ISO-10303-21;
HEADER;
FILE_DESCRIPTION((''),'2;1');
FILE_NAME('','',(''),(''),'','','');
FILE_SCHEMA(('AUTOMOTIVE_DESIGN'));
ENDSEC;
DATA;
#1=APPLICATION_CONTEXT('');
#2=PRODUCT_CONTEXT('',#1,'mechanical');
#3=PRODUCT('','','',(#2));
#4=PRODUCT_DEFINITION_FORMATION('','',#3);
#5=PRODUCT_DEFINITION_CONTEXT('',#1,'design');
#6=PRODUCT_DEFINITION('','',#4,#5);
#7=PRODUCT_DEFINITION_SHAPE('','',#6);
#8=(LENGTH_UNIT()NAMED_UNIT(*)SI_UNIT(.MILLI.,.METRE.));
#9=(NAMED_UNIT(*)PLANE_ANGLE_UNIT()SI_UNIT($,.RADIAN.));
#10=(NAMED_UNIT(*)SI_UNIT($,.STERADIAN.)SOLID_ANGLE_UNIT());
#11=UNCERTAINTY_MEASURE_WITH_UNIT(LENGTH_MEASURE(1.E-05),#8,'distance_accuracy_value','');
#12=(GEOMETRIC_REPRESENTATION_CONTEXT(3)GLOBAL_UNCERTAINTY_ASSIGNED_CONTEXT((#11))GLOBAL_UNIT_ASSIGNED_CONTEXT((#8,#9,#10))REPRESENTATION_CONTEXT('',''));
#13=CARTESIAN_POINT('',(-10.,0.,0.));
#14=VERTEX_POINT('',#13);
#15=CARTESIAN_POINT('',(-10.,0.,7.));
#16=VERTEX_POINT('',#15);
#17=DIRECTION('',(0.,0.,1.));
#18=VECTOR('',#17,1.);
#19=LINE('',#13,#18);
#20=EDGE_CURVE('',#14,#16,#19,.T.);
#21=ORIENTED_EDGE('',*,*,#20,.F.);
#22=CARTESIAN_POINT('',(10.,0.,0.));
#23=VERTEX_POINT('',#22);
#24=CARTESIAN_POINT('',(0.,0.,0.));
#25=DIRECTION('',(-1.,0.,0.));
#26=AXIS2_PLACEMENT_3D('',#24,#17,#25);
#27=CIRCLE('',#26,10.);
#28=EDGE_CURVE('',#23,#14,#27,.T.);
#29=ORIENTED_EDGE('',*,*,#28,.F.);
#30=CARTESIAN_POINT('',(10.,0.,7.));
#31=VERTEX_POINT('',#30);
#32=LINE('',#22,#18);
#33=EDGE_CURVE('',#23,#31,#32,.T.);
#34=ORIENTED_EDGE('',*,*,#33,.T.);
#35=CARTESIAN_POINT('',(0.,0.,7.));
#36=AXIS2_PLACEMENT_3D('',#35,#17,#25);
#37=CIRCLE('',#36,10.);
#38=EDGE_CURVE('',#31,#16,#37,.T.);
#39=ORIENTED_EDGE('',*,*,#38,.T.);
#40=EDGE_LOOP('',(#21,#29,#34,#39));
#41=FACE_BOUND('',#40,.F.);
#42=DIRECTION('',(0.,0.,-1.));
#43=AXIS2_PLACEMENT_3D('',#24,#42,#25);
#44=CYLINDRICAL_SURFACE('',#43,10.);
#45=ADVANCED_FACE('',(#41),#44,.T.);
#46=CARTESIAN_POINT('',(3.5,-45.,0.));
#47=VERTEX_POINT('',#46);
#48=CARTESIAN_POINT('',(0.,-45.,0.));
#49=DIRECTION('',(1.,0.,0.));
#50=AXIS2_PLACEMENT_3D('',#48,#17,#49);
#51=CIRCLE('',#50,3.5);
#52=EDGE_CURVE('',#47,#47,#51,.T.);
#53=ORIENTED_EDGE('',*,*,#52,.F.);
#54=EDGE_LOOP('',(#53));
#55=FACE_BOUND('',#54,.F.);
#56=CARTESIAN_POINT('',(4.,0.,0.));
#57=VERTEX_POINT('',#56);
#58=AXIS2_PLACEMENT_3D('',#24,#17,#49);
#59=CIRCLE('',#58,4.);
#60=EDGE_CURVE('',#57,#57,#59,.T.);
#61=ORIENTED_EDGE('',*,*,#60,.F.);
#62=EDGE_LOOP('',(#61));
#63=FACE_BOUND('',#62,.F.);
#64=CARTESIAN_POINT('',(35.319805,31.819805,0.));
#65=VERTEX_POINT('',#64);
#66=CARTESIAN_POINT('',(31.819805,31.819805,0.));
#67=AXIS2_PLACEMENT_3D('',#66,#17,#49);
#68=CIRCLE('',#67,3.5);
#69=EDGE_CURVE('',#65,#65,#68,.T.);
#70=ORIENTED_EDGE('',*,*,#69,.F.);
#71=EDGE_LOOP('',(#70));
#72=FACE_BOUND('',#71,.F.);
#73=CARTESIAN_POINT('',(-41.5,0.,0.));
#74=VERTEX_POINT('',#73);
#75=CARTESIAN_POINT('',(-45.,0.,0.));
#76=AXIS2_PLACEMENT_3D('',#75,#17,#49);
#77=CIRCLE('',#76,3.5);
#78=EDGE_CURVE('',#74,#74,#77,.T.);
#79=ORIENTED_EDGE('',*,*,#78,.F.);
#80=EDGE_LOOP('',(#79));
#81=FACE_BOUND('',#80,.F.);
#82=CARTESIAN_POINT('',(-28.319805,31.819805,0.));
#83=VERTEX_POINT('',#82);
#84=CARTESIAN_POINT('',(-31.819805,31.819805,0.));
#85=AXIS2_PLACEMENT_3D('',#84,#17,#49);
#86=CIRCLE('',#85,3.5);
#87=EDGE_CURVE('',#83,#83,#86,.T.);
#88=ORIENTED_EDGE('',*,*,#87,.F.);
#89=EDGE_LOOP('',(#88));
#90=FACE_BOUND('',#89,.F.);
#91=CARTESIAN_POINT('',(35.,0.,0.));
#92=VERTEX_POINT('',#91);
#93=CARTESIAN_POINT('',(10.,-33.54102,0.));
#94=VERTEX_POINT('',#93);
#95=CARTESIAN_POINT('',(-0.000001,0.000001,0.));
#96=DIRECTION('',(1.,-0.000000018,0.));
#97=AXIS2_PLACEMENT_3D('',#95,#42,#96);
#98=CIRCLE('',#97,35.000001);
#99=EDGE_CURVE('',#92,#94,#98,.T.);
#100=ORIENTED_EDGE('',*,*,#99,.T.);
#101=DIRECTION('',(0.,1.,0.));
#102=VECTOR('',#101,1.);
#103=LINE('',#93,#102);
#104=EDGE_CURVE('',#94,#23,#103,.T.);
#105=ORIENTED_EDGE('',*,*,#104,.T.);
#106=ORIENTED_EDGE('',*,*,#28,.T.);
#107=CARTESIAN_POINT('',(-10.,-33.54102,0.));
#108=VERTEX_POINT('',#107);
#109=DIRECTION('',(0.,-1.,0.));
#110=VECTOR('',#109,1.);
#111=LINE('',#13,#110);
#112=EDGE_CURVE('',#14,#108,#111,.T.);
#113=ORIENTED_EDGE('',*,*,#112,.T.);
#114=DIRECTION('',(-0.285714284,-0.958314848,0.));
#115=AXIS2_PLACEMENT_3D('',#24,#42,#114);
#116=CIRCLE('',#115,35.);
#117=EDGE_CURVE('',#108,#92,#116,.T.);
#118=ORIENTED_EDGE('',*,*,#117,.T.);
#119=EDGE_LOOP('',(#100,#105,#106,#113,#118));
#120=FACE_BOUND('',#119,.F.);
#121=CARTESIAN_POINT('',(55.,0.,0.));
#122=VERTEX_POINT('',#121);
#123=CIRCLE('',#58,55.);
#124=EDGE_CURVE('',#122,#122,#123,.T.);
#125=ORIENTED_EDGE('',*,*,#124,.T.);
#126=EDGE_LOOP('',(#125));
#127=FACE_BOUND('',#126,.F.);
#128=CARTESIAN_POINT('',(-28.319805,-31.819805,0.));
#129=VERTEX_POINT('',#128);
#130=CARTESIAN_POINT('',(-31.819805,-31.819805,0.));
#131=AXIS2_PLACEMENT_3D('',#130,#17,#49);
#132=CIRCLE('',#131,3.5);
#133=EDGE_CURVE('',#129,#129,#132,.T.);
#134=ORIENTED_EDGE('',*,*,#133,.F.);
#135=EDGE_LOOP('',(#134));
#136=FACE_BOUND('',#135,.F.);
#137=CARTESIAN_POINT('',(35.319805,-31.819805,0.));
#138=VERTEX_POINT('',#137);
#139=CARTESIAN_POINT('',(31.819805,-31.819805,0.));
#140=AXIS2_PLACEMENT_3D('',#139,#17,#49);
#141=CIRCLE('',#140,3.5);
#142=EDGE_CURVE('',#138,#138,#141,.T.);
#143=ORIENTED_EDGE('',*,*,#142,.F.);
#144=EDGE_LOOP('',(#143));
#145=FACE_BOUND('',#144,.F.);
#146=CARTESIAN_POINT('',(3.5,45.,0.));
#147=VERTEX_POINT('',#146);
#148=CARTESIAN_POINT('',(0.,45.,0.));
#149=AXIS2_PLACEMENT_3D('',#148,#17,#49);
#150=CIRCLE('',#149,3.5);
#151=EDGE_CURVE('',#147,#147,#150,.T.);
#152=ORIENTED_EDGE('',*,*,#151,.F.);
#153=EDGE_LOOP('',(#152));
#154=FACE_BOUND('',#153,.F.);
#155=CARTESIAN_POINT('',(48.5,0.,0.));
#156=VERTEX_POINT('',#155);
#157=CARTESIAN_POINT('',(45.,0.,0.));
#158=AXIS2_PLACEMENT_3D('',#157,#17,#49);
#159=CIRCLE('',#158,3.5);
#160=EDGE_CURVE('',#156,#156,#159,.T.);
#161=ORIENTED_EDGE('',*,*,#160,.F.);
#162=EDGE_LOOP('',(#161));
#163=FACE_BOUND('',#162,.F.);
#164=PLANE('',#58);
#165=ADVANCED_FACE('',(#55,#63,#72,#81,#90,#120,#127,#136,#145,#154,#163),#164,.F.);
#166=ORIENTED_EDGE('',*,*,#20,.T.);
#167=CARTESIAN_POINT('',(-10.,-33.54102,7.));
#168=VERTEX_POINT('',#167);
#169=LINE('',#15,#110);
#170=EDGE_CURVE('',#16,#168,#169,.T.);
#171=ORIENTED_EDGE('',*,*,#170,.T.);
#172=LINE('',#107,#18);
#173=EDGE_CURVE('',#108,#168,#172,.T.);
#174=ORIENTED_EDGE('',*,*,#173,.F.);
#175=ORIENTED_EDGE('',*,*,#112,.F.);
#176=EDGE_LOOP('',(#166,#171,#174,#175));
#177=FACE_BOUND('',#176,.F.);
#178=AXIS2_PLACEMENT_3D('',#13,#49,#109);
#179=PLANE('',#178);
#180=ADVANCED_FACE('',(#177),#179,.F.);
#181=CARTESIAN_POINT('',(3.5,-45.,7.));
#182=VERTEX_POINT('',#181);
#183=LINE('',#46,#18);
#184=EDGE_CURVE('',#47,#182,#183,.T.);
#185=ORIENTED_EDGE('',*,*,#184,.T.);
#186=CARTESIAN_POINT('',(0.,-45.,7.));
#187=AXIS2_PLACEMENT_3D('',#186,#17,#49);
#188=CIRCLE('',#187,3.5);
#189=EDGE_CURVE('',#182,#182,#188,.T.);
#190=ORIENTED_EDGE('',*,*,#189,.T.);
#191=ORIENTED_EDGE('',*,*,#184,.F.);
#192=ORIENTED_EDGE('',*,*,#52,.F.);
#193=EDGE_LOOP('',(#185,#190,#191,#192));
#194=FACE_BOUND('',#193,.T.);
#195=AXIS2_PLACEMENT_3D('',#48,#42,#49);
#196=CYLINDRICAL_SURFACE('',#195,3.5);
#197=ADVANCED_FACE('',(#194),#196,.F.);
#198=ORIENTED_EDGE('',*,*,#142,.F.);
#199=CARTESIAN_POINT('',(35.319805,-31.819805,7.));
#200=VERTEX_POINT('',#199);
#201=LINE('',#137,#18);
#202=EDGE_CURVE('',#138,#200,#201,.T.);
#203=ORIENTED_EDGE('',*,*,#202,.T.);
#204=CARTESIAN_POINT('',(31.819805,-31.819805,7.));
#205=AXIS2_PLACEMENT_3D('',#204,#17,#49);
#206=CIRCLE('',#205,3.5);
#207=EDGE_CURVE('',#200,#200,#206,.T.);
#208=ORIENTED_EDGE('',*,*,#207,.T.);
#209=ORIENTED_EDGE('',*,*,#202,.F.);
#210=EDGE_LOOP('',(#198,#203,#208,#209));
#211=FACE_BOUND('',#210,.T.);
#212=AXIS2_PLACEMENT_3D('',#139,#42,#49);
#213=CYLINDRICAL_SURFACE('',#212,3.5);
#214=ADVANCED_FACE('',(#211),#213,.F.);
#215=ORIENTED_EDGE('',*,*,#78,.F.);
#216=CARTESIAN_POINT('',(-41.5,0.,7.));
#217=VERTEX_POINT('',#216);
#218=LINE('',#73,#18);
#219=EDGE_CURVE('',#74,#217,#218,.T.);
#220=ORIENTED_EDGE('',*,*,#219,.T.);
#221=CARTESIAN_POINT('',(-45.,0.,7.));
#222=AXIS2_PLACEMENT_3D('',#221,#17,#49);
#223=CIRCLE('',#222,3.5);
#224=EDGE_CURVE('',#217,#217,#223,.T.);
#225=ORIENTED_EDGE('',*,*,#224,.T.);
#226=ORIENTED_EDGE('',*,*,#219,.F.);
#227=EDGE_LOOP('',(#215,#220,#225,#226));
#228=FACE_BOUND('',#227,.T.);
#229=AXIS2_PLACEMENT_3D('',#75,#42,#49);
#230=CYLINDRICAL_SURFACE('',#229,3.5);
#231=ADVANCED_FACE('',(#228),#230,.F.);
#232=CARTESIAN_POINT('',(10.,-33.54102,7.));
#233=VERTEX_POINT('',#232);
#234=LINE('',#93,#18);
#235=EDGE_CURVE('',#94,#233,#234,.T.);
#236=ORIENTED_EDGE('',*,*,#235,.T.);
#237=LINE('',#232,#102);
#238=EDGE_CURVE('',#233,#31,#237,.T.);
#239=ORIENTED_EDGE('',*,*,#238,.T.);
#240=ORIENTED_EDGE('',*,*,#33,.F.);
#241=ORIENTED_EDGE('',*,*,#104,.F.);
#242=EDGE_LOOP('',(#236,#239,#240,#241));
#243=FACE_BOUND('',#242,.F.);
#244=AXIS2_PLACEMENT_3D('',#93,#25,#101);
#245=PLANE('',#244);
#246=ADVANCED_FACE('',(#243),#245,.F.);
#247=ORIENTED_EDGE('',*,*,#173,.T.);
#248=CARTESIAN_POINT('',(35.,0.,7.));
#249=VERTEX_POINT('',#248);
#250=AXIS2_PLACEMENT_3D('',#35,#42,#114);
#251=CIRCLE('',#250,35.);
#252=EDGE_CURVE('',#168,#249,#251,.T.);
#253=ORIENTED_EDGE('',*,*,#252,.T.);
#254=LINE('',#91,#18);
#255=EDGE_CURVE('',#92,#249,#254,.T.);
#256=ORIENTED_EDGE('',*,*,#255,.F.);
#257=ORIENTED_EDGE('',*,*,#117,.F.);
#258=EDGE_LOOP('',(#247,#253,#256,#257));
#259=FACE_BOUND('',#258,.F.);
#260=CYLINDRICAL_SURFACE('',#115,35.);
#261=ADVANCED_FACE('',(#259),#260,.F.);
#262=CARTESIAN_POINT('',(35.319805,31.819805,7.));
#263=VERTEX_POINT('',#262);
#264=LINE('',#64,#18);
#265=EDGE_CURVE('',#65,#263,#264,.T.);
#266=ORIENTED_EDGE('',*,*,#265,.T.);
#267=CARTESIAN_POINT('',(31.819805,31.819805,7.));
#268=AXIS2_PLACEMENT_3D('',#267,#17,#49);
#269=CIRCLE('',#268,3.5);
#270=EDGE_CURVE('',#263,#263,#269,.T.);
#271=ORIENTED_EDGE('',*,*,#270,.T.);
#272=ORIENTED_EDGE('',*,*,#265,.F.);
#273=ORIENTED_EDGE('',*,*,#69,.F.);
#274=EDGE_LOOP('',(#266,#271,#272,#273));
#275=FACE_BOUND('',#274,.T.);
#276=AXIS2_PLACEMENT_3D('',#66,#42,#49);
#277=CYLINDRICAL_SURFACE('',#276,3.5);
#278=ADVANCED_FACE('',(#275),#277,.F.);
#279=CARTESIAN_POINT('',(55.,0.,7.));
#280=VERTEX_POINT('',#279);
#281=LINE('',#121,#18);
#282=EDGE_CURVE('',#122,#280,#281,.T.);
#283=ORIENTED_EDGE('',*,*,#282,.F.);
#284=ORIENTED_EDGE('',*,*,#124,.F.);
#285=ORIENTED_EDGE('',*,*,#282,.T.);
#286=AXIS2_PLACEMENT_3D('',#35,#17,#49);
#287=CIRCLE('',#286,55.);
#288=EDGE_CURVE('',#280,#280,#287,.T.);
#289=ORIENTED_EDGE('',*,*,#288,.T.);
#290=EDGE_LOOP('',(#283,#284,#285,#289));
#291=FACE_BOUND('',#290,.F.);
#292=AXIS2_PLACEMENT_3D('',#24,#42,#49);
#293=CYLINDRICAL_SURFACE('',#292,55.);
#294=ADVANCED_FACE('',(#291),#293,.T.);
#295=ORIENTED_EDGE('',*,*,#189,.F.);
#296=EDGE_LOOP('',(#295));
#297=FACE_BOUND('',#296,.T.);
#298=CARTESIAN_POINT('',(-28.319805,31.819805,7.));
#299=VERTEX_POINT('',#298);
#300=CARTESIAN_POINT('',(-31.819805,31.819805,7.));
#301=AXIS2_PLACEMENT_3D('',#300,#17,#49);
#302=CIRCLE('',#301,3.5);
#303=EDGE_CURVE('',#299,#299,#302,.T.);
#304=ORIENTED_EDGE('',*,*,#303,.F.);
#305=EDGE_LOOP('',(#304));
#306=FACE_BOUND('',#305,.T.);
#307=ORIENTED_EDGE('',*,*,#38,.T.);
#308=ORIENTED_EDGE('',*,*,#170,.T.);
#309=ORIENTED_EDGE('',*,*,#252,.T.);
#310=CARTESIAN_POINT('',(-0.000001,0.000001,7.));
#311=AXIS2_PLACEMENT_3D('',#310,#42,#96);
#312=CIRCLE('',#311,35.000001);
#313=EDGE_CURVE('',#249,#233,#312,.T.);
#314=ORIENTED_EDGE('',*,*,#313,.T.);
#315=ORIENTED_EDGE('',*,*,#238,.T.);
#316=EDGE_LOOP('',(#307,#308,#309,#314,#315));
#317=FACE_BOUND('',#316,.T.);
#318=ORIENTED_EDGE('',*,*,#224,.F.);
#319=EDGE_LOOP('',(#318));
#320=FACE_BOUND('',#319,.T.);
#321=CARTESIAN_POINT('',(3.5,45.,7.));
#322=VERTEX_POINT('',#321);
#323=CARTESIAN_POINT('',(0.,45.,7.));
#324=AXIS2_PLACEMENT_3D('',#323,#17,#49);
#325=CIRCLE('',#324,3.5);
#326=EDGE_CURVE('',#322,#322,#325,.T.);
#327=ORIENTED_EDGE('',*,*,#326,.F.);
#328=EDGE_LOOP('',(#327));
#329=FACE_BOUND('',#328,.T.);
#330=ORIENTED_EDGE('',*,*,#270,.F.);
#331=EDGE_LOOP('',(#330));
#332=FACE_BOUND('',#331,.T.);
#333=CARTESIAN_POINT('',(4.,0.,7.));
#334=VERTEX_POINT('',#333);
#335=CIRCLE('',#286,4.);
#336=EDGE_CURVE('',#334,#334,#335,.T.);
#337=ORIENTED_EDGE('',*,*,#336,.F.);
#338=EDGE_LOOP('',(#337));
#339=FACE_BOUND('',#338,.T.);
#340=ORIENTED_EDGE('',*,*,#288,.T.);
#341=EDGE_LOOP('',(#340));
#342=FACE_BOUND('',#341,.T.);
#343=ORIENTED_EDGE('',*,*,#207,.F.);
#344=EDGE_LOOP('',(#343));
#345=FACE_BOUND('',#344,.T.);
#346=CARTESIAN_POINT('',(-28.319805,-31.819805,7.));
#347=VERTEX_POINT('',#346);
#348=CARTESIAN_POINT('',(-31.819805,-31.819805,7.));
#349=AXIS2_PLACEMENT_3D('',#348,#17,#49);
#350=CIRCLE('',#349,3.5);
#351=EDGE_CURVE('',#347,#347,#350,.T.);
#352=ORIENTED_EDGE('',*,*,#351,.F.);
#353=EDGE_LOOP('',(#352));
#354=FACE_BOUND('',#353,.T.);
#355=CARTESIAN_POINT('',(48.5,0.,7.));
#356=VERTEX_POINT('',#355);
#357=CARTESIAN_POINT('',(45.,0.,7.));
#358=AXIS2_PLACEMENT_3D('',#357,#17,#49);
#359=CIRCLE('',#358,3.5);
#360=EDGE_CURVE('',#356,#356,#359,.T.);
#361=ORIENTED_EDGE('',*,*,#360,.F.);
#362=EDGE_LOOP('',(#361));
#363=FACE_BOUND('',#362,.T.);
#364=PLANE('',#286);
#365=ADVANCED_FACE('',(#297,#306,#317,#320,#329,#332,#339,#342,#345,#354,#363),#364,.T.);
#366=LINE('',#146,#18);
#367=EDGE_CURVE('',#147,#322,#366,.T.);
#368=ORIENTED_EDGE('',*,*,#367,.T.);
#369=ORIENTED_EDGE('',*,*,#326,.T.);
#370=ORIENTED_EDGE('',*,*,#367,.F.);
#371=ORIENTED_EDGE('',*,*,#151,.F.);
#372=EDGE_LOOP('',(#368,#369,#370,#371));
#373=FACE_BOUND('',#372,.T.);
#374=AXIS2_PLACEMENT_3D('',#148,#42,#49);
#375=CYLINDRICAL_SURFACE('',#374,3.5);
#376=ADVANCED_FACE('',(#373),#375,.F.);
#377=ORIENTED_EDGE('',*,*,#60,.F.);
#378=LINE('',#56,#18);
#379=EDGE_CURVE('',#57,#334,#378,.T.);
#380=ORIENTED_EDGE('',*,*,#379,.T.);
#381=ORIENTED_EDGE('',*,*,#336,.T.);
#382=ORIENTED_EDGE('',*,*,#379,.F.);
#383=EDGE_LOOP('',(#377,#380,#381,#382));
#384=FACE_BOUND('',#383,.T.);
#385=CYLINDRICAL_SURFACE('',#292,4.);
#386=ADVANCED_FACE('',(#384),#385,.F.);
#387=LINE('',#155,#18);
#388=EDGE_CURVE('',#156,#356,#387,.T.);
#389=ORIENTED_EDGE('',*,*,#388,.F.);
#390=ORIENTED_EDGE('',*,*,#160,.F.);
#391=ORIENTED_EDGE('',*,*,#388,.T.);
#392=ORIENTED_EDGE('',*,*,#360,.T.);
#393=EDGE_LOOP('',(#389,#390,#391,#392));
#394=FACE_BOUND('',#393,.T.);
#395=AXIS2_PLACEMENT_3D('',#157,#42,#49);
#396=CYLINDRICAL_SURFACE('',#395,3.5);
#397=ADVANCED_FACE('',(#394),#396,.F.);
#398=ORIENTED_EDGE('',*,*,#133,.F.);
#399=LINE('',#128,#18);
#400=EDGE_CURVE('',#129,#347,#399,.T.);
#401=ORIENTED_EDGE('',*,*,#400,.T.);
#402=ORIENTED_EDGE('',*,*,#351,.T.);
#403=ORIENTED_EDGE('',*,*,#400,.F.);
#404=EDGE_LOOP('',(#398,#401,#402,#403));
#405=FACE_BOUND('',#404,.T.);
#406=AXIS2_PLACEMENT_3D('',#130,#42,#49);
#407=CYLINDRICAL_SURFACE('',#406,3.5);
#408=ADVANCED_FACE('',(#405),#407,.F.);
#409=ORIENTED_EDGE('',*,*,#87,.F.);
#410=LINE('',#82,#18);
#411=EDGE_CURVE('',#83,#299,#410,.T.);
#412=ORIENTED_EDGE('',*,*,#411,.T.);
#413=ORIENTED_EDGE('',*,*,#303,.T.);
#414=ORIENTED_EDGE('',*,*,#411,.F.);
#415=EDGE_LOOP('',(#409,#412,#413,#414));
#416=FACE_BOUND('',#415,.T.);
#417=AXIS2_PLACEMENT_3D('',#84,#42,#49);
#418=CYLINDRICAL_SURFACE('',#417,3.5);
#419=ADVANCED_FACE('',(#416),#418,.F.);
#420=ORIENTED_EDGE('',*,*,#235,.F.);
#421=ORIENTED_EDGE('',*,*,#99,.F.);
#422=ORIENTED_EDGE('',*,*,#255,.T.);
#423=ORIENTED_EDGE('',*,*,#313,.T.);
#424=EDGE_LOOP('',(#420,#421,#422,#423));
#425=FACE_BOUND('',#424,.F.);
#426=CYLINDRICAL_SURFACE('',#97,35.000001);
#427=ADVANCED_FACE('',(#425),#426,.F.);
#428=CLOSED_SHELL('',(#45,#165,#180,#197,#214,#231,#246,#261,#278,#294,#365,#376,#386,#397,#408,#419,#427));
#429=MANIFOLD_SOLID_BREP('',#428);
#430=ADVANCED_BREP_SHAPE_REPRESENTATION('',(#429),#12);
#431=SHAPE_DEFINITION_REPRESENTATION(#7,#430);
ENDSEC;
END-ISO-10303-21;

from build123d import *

# Parameters (mm, degrees)
F0_R     = 55
F0_R_2   = 3.5
F0_R_3   = 4
F1_DEPTH = 7


with BuildPart() as f1:
    # F0 (on Top) → F1 (new body)
    with BuildSketch(Plane.XY):
        Circle(F0_R)
        with Locations((-31.819805, -31.819805)):
            Circle(F0_R_2, mode=Mode.SUBTRACT)
        with Locations((0, -45)):
            Circle(F0_R_2, mode=Mode.SUBTRACT)
        with Locations((31.819805, -31.819805)):
            Circle(F0_R_2, mode=Mode.SUBTRACT)
        with Locations((-45, 0)):
            Circle(F0_R_2, mode=Mode.SUBTRACT)
        with Locations((-31.819805, 31.819805)):
            Circle(F0_R_2, mode=Mode.SUBTRACT)
        with BuildLine():
            ThreePointArc((-10, -33.54102), (-20.916501, 28.06243), (35, 0))
            ThreePointArc((35, 0), (28.06243, -20.916501), (10, -33.54102))
            ThreePointArc((10, -33.54102), (0, -35), (-10, -33.54102))
        make_face(mode=Mode.SUBTRACT)
        with Locations((45, 0)):
            Circle(F0_R_2, mode=Mode.SUBTRACT)
        with Locations((0, 45)):
            Circle(F0_R_2, mode=Mode.SUBTRACT)
        with Locations((31.819805, 31.819805)):
            Circle(F0_R_2, mode=Mode.SUBTRACT)
        with BuildLine():
            ThreePointArc((10, 0), (0, 10), (-10, 0))
            ThreePointArc((-10, 0), (0, -10), (10, 0))
        make_face()
        Circle(F0_R_3, mode=Mode.SUBTRACT)
        with BuildLine():
            Line((-10, 0), (-10, -33.54102))
            ThreePointArc((-10, -33.54102), (0, -35), (10, -33.54102))
            Line((10, -33.54102), (10, 0))
            ThreePointArc((10, 0), (0, -10), (-10, 0))
        make_face()
    extrude(amount=F1_DEPTH)


solid = f1.part
